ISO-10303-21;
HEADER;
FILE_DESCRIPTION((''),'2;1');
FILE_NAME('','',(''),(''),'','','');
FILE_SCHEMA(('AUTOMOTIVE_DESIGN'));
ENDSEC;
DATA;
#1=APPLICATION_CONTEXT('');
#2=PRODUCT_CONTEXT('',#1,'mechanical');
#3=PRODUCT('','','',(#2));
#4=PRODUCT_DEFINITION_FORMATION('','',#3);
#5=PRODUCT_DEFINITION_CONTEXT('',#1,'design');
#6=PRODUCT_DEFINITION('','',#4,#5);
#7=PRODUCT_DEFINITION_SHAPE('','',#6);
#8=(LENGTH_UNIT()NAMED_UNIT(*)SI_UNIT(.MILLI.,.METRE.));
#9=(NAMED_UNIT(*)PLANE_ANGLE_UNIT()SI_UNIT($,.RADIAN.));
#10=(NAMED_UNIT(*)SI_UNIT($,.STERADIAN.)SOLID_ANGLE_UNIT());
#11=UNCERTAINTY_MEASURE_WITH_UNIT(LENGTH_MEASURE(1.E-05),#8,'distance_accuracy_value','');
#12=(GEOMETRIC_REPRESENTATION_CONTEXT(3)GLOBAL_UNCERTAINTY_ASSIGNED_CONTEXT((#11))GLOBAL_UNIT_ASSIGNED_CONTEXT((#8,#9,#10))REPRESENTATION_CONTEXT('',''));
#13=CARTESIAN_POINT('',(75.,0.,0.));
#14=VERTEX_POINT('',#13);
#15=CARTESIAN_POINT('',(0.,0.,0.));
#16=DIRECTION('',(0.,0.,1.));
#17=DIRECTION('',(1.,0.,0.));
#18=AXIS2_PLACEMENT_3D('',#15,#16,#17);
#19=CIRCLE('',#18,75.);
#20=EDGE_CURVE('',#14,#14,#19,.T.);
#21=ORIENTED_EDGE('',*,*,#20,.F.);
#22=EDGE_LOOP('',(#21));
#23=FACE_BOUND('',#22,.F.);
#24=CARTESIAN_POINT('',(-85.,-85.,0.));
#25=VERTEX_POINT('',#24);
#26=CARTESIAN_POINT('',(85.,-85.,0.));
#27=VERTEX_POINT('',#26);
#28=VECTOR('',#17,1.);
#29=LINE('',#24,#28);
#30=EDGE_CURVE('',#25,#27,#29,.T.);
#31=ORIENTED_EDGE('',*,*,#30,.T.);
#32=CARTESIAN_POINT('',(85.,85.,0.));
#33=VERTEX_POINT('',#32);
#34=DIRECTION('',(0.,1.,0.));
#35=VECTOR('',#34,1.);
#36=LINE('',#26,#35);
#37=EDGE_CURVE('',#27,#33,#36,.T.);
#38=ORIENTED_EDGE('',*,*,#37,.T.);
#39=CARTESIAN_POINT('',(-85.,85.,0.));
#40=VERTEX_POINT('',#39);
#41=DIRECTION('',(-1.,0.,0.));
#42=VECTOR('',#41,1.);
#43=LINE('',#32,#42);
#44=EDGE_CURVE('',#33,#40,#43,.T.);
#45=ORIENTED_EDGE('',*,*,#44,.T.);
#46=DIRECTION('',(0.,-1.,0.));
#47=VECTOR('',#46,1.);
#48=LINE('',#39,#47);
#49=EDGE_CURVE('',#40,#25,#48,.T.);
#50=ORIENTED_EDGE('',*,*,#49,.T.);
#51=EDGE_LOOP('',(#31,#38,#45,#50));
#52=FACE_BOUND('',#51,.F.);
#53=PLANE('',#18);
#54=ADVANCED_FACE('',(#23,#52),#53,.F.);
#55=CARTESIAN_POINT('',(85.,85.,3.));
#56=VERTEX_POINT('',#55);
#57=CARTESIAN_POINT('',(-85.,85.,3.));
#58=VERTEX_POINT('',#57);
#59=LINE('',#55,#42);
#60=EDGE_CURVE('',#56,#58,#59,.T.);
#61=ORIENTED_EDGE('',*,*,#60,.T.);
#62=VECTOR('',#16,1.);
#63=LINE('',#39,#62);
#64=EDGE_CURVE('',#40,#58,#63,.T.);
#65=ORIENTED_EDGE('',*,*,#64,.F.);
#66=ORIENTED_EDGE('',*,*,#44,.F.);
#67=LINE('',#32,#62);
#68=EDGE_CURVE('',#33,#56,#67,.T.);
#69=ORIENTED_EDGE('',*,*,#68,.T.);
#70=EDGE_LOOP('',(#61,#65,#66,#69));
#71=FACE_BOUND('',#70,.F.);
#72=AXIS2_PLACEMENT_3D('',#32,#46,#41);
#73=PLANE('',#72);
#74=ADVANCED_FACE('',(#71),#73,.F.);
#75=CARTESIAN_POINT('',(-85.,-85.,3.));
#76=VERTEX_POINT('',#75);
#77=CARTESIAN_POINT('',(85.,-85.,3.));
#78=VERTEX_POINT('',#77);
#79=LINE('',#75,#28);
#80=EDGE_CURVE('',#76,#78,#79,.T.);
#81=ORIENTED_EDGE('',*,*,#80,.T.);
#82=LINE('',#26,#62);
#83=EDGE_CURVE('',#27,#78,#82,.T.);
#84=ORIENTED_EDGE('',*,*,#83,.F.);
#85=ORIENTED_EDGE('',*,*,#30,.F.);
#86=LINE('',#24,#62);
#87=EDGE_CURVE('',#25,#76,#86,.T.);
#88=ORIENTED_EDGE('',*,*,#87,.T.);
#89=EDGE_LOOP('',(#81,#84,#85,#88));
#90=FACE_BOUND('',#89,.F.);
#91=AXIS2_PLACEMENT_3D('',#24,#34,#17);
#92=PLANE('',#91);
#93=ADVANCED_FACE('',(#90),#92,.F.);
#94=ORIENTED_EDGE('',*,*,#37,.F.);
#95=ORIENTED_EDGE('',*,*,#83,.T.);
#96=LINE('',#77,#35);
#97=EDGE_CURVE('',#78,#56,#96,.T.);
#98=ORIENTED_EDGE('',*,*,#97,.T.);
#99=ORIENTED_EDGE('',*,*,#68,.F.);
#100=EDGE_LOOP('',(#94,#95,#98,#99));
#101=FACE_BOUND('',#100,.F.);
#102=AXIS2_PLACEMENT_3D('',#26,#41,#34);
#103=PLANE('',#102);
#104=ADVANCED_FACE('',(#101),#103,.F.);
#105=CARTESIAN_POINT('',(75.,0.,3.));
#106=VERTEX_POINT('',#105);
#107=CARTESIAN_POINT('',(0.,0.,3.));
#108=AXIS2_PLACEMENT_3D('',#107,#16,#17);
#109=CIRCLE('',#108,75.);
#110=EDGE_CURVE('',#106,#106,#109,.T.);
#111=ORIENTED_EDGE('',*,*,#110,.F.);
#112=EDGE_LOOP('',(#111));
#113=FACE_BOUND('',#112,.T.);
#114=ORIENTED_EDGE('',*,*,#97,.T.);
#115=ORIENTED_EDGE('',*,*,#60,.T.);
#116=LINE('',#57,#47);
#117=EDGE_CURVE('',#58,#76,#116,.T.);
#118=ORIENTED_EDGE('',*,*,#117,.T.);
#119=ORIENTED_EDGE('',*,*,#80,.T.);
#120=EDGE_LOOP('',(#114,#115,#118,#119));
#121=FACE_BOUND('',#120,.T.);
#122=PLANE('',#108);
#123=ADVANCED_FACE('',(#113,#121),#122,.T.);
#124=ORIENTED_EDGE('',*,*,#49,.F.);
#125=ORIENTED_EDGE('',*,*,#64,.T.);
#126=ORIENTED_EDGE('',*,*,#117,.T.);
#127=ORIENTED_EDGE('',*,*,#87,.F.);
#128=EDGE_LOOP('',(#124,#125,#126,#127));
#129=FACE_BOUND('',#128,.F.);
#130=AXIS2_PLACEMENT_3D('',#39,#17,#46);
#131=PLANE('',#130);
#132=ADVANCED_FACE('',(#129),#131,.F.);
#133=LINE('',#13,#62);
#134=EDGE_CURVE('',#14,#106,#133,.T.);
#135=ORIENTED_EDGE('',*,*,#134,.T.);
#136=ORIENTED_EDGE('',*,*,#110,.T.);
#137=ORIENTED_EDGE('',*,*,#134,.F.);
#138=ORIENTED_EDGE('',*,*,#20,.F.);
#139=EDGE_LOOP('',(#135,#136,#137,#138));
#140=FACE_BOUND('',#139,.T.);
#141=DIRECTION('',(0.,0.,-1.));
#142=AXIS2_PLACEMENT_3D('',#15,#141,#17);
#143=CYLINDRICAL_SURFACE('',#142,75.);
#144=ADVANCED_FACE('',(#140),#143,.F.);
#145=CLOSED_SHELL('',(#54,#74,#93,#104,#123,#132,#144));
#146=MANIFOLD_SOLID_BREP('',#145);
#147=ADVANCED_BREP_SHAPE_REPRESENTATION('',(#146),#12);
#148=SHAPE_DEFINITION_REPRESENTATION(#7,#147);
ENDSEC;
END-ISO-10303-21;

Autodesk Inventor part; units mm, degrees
ref_plane "YZ Plane" through (0, 0, 0) normal (1, 0, 0) x (0, 1, 0)
ref_plane "XZ Plane" through (0, 0, 0) normal (0, 1, 0) x (-1, 0, 0)
ref_plane "XY Plane" through (0, 0, 0) normal (0, 0, 1) x (1, 0, 0)
sketch "Sketch1" plane through (0, 0, 0) normal (0, 0, 1) x (1, 0, 0)
  line L0 (-85, -85) -> (85, -85)
  line L1 (85, -85) -> (85, 85)
  line L2 (85, 85) -> (-85, 85)
  line L3 (-85, 85) -> (-85, -85)
  line L4 (-85, -85) -> (85, 85) construction
  line L5 (85, -85) -> (-85, 85) construction
  circle A0 centre (0, 0) radius 75
  dimension "d0" = 170
  dimension "d1" = 170
  dimension "d22" = 150
extrude "Plate1" add sketch "Sketch1" along normal blind 3
equation "\"d1\" = d0"
equation "\"d2\" = Thickness"
equation "\"BendReliefWidth\" = Thickness"
equation "\"BendReliefDepth\" = 0.5 * Thickness"
equation "\"CornerReliefSize\" = 4 * Thickness"
equation "\"MinimumRemnant\" = 2 * Thickness"
equation "\"TransitionRadius\" = BendRadius"
equation "\"JacobiRadiusSize\" = BendRadius"
equation "\"GapSize\" = Thickness"
equation "\"Thickness\" = 3"
equation "\"BendRadius\" = 5"
properties part number "drain bottom plate" material "Stainless Steel"
